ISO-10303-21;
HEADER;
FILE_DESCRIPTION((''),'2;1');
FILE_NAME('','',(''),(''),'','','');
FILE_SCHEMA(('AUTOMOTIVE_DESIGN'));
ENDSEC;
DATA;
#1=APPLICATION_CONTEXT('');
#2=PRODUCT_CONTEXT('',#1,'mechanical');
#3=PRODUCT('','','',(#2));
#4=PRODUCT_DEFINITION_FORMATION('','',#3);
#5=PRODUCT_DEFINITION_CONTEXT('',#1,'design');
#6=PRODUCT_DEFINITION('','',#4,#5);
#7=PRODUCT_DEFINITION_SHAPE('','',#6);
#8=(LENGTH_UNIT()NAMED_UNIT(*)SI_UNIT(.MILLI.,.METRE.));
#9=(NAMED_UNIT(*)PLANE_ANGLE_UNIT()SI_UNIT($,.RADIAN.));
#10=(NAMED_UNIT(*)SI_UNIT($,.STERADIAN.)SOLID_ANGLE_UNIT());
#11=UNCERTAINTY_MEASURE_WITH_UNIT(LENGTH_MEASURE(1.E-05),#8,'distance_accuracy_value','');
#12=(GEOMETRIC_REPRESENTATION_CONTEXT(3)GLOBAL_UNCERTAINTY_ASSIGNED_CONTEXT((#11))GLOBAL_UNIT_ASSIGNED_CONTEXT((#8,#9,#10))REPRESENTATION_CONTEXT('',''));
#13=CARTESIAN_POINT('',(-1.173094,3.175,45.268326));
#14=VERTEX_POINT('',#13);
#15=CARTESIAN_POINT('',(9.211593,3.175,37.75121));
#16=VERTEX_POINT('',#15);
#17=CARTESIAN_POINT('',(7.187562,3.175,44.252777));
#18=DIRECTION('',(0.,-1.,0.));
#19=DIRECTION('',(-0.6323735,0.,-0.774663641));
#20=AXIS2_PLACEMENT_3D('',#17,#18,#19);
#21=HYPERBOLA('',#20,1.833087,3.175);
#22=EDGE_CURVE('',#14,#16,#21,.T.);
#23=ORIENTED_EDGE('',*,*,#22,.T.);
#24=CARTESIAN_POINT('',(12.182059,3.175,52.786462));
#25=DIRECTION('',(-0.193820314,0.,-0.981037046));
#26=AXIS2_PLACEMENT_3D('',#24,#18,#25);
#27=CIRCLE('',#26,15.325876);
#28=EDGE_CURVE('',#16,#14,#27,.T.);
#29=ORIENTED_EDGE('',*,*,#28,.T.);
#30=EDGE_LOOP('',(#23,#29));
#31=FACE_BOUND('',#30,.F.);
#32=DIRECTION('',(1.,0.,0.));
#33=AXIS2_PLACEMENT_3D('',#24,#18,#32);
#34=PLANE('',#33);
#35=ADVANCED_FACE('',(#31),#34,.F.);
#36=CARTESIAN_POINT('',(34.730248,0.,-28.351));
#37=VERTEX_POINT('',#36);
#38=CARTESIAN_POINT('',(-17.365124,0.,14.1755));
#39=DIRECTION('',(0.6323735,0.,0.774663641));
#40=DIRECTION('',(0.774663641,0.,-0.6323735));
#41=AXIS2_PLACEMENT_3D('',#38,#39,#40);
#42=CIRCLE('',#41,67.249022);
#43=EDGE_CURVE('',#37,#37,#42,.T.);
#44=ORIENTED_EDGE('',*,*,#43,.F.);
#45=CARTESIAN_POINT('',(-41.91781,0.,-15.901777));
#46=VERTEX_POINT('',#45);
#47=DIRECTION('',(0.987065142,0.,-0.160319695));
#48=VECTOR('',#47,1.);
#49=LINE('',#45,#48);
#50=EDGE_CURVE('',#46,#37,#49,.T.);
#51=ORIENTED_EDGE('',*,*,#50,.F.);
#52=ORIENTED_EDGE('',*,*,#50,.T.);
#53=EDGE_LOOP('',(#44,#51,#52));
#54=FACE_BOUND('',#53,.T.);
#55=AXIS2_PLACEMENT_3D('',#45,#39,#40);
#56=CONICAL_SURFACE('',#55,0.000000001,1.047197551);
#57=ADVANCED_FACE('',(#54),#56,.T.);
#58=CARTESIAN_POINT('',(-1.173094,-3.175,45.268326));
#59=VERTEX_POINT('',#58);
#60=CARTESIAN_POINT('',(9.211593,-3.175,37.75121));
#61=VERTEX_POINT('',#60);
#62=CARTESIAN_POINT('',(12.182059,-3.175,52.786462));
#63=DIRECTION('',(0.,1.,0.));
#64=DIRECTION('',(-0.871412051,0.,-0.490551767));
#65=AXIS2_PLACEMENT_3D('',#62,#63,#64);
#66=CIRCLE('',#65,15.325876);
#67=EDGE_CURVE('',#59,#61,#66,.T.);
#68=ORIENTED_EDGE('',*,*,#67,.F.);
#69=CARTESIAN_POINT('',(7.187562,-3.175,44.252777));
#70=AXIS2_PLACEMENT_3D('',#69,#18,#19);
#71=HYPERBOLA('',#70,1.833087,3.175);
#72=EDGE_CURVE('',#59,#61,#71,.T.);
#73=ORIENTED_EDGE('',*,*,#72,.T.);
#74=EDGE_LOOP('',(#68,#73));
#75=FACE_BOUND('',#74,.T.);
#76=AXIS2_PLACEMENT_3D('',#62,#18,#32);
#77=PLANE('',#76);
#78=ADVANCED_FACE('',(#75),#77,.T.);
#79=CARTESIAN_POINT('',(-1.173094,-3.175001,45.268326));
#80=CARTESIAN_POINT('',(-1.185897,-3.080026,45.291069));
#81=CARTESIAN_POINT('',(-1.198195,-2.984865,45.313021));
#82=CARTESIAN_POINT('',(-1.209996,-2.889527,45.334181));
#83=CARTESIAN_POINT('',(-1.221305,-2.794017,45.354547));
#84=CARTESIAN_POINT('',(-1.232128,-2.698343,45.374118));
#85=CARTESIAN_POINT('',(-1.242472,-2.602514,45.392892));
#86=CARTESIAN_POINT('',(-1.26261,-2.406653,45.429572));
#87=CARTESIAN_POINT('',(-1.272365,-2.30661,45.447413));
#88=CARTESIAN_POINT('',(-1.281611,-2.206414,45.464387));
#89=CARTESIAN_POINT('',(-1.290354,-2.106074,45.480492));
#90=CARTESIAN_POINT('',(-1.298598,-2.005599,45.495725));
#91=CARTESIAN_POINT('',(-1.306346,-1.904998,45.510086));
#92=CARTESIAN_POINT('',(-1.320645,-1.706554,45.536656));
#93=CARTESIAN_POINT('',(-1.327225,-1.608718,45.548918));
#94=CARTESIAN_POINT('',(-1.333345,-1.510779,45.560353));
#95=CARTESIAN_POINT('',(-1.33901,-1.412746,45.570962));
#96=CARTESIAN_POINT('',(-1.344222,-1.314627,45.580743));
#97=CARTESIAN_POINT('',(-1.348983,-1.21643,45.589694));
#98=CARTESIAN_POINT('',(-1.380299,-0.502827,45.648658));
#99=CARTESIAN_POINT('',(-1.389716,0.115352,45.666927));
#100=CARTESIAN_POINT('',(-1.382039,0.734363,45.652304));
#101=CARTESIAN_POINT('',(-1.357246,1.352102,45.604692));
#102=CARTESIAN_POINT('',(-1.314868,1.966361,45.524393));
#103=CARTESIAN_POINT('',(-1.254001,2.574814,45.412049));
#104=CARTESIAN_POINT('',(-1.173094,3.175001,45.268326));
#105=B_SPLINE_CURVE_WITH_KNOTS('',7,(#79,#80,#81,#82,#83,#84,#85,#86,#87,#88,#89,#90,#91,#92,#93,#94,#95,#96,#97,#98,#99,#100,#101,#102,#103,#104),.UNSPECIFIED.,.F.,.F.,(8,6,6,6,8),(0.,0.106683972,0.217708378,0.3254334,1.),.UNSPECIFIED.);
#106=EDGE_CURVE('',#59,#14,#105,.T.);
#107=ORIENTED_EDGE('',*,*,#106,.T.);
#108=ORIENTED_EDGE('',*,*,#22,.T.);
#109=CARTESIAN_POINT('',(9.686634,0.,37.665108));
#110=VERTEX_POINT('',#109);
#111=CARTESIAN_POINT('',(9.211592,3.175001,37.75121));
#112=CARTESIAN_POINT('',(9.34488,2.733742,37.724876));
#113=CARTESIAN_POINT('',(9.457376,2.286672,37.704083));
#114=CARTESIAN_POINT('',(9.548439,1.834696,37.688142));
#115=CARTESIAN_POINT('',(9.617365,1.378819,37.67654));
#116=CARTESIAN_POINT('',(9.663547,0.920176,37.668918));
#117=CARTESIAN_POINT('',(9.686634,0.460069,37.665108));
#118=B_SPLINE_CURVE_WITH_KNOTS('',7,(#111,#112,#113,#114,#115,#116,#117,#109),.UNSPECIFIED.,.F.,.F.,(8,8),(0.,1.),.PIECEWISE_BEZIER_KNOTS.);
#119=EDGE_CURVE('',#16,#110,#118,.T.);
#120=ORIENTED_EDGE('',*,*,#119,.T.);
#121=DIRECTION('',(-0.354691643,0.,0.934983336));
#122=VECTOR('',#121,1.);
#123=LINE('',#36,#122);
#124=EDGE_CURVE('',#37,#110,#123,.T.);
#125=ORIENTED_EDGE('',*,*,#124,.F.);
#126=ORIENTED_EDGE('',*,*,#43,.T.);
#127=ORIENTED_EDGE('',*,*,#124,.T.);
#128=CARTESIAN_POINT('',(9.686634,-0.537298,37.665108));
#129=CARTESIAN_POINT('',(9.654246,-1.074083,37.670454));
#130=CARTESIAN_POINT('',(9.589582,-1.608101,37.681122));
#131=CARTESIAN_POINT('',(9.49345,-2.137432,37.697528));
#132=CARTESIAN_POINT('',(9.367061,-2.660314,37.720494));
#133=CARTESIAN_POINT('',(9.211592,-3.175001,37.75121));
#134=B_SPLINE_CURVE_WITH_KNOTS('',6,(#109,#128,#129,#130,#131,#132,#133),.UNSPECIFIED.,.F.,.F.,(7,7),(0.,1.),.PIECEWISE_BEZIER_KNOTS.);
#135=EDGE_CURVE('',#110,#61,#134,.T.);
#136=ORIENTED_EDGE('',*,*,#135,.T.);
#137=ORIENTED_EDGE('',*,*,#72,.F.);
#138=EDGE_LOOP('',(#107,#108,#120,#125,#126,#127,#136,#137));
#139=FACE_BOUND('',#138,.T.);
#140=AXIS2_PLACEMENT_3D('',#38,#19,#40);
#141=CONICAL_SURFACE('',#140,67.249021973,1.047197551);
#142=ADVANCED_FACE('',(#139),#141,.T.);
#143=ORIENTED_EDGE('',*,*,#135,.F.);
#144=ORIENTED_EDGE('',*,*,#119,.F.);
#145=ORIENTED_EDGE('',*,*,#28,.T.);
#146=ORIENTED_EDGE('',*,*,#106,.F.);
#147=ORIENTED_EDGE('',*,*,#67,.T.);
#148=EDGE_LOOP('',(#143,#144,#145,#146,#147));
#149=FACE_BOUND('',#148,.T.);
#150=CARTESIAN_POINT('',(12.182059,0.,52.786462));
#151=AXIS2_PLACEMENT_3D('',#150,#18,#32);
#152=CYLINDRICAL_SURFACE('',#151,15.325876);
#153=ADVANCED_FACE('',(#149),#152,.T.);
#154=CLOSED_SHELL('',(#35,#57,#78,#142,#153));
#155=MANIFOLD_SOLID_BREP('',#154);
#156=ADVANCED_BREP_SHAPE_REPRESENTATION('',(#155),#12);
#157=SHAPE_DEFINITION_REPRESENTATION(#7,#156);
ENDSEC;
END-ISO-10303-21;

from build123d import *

# Parameters (mm, degrees)
F2_R     = 15.3258762198
F3_DEPTH = 3.175


with BuildPart() as f1:
    # F0 (on Front) → F1 (revolve)
    with BuildSketch(Plane.XZ):
        Polygon((7.1875617813, 44.2527769698), (-41.9178099346, -15.901777391), (34.7302481532, -28.3509995788), align=None)
    revolve(axis=Axis((-17.3651240766, 0, 14.1754997894), (0.6323734996, 0, 0.7746636412)))

    # F2 (on Front) → F3 (join, symmetric)
    with BuildSketch(Plane.XZ):
        with Locations((12.1820587665, 52.786462009)):
            Circle(F2_R)
    extrude(amount=F3_DEPTH, both=True)


solid = f1.part
